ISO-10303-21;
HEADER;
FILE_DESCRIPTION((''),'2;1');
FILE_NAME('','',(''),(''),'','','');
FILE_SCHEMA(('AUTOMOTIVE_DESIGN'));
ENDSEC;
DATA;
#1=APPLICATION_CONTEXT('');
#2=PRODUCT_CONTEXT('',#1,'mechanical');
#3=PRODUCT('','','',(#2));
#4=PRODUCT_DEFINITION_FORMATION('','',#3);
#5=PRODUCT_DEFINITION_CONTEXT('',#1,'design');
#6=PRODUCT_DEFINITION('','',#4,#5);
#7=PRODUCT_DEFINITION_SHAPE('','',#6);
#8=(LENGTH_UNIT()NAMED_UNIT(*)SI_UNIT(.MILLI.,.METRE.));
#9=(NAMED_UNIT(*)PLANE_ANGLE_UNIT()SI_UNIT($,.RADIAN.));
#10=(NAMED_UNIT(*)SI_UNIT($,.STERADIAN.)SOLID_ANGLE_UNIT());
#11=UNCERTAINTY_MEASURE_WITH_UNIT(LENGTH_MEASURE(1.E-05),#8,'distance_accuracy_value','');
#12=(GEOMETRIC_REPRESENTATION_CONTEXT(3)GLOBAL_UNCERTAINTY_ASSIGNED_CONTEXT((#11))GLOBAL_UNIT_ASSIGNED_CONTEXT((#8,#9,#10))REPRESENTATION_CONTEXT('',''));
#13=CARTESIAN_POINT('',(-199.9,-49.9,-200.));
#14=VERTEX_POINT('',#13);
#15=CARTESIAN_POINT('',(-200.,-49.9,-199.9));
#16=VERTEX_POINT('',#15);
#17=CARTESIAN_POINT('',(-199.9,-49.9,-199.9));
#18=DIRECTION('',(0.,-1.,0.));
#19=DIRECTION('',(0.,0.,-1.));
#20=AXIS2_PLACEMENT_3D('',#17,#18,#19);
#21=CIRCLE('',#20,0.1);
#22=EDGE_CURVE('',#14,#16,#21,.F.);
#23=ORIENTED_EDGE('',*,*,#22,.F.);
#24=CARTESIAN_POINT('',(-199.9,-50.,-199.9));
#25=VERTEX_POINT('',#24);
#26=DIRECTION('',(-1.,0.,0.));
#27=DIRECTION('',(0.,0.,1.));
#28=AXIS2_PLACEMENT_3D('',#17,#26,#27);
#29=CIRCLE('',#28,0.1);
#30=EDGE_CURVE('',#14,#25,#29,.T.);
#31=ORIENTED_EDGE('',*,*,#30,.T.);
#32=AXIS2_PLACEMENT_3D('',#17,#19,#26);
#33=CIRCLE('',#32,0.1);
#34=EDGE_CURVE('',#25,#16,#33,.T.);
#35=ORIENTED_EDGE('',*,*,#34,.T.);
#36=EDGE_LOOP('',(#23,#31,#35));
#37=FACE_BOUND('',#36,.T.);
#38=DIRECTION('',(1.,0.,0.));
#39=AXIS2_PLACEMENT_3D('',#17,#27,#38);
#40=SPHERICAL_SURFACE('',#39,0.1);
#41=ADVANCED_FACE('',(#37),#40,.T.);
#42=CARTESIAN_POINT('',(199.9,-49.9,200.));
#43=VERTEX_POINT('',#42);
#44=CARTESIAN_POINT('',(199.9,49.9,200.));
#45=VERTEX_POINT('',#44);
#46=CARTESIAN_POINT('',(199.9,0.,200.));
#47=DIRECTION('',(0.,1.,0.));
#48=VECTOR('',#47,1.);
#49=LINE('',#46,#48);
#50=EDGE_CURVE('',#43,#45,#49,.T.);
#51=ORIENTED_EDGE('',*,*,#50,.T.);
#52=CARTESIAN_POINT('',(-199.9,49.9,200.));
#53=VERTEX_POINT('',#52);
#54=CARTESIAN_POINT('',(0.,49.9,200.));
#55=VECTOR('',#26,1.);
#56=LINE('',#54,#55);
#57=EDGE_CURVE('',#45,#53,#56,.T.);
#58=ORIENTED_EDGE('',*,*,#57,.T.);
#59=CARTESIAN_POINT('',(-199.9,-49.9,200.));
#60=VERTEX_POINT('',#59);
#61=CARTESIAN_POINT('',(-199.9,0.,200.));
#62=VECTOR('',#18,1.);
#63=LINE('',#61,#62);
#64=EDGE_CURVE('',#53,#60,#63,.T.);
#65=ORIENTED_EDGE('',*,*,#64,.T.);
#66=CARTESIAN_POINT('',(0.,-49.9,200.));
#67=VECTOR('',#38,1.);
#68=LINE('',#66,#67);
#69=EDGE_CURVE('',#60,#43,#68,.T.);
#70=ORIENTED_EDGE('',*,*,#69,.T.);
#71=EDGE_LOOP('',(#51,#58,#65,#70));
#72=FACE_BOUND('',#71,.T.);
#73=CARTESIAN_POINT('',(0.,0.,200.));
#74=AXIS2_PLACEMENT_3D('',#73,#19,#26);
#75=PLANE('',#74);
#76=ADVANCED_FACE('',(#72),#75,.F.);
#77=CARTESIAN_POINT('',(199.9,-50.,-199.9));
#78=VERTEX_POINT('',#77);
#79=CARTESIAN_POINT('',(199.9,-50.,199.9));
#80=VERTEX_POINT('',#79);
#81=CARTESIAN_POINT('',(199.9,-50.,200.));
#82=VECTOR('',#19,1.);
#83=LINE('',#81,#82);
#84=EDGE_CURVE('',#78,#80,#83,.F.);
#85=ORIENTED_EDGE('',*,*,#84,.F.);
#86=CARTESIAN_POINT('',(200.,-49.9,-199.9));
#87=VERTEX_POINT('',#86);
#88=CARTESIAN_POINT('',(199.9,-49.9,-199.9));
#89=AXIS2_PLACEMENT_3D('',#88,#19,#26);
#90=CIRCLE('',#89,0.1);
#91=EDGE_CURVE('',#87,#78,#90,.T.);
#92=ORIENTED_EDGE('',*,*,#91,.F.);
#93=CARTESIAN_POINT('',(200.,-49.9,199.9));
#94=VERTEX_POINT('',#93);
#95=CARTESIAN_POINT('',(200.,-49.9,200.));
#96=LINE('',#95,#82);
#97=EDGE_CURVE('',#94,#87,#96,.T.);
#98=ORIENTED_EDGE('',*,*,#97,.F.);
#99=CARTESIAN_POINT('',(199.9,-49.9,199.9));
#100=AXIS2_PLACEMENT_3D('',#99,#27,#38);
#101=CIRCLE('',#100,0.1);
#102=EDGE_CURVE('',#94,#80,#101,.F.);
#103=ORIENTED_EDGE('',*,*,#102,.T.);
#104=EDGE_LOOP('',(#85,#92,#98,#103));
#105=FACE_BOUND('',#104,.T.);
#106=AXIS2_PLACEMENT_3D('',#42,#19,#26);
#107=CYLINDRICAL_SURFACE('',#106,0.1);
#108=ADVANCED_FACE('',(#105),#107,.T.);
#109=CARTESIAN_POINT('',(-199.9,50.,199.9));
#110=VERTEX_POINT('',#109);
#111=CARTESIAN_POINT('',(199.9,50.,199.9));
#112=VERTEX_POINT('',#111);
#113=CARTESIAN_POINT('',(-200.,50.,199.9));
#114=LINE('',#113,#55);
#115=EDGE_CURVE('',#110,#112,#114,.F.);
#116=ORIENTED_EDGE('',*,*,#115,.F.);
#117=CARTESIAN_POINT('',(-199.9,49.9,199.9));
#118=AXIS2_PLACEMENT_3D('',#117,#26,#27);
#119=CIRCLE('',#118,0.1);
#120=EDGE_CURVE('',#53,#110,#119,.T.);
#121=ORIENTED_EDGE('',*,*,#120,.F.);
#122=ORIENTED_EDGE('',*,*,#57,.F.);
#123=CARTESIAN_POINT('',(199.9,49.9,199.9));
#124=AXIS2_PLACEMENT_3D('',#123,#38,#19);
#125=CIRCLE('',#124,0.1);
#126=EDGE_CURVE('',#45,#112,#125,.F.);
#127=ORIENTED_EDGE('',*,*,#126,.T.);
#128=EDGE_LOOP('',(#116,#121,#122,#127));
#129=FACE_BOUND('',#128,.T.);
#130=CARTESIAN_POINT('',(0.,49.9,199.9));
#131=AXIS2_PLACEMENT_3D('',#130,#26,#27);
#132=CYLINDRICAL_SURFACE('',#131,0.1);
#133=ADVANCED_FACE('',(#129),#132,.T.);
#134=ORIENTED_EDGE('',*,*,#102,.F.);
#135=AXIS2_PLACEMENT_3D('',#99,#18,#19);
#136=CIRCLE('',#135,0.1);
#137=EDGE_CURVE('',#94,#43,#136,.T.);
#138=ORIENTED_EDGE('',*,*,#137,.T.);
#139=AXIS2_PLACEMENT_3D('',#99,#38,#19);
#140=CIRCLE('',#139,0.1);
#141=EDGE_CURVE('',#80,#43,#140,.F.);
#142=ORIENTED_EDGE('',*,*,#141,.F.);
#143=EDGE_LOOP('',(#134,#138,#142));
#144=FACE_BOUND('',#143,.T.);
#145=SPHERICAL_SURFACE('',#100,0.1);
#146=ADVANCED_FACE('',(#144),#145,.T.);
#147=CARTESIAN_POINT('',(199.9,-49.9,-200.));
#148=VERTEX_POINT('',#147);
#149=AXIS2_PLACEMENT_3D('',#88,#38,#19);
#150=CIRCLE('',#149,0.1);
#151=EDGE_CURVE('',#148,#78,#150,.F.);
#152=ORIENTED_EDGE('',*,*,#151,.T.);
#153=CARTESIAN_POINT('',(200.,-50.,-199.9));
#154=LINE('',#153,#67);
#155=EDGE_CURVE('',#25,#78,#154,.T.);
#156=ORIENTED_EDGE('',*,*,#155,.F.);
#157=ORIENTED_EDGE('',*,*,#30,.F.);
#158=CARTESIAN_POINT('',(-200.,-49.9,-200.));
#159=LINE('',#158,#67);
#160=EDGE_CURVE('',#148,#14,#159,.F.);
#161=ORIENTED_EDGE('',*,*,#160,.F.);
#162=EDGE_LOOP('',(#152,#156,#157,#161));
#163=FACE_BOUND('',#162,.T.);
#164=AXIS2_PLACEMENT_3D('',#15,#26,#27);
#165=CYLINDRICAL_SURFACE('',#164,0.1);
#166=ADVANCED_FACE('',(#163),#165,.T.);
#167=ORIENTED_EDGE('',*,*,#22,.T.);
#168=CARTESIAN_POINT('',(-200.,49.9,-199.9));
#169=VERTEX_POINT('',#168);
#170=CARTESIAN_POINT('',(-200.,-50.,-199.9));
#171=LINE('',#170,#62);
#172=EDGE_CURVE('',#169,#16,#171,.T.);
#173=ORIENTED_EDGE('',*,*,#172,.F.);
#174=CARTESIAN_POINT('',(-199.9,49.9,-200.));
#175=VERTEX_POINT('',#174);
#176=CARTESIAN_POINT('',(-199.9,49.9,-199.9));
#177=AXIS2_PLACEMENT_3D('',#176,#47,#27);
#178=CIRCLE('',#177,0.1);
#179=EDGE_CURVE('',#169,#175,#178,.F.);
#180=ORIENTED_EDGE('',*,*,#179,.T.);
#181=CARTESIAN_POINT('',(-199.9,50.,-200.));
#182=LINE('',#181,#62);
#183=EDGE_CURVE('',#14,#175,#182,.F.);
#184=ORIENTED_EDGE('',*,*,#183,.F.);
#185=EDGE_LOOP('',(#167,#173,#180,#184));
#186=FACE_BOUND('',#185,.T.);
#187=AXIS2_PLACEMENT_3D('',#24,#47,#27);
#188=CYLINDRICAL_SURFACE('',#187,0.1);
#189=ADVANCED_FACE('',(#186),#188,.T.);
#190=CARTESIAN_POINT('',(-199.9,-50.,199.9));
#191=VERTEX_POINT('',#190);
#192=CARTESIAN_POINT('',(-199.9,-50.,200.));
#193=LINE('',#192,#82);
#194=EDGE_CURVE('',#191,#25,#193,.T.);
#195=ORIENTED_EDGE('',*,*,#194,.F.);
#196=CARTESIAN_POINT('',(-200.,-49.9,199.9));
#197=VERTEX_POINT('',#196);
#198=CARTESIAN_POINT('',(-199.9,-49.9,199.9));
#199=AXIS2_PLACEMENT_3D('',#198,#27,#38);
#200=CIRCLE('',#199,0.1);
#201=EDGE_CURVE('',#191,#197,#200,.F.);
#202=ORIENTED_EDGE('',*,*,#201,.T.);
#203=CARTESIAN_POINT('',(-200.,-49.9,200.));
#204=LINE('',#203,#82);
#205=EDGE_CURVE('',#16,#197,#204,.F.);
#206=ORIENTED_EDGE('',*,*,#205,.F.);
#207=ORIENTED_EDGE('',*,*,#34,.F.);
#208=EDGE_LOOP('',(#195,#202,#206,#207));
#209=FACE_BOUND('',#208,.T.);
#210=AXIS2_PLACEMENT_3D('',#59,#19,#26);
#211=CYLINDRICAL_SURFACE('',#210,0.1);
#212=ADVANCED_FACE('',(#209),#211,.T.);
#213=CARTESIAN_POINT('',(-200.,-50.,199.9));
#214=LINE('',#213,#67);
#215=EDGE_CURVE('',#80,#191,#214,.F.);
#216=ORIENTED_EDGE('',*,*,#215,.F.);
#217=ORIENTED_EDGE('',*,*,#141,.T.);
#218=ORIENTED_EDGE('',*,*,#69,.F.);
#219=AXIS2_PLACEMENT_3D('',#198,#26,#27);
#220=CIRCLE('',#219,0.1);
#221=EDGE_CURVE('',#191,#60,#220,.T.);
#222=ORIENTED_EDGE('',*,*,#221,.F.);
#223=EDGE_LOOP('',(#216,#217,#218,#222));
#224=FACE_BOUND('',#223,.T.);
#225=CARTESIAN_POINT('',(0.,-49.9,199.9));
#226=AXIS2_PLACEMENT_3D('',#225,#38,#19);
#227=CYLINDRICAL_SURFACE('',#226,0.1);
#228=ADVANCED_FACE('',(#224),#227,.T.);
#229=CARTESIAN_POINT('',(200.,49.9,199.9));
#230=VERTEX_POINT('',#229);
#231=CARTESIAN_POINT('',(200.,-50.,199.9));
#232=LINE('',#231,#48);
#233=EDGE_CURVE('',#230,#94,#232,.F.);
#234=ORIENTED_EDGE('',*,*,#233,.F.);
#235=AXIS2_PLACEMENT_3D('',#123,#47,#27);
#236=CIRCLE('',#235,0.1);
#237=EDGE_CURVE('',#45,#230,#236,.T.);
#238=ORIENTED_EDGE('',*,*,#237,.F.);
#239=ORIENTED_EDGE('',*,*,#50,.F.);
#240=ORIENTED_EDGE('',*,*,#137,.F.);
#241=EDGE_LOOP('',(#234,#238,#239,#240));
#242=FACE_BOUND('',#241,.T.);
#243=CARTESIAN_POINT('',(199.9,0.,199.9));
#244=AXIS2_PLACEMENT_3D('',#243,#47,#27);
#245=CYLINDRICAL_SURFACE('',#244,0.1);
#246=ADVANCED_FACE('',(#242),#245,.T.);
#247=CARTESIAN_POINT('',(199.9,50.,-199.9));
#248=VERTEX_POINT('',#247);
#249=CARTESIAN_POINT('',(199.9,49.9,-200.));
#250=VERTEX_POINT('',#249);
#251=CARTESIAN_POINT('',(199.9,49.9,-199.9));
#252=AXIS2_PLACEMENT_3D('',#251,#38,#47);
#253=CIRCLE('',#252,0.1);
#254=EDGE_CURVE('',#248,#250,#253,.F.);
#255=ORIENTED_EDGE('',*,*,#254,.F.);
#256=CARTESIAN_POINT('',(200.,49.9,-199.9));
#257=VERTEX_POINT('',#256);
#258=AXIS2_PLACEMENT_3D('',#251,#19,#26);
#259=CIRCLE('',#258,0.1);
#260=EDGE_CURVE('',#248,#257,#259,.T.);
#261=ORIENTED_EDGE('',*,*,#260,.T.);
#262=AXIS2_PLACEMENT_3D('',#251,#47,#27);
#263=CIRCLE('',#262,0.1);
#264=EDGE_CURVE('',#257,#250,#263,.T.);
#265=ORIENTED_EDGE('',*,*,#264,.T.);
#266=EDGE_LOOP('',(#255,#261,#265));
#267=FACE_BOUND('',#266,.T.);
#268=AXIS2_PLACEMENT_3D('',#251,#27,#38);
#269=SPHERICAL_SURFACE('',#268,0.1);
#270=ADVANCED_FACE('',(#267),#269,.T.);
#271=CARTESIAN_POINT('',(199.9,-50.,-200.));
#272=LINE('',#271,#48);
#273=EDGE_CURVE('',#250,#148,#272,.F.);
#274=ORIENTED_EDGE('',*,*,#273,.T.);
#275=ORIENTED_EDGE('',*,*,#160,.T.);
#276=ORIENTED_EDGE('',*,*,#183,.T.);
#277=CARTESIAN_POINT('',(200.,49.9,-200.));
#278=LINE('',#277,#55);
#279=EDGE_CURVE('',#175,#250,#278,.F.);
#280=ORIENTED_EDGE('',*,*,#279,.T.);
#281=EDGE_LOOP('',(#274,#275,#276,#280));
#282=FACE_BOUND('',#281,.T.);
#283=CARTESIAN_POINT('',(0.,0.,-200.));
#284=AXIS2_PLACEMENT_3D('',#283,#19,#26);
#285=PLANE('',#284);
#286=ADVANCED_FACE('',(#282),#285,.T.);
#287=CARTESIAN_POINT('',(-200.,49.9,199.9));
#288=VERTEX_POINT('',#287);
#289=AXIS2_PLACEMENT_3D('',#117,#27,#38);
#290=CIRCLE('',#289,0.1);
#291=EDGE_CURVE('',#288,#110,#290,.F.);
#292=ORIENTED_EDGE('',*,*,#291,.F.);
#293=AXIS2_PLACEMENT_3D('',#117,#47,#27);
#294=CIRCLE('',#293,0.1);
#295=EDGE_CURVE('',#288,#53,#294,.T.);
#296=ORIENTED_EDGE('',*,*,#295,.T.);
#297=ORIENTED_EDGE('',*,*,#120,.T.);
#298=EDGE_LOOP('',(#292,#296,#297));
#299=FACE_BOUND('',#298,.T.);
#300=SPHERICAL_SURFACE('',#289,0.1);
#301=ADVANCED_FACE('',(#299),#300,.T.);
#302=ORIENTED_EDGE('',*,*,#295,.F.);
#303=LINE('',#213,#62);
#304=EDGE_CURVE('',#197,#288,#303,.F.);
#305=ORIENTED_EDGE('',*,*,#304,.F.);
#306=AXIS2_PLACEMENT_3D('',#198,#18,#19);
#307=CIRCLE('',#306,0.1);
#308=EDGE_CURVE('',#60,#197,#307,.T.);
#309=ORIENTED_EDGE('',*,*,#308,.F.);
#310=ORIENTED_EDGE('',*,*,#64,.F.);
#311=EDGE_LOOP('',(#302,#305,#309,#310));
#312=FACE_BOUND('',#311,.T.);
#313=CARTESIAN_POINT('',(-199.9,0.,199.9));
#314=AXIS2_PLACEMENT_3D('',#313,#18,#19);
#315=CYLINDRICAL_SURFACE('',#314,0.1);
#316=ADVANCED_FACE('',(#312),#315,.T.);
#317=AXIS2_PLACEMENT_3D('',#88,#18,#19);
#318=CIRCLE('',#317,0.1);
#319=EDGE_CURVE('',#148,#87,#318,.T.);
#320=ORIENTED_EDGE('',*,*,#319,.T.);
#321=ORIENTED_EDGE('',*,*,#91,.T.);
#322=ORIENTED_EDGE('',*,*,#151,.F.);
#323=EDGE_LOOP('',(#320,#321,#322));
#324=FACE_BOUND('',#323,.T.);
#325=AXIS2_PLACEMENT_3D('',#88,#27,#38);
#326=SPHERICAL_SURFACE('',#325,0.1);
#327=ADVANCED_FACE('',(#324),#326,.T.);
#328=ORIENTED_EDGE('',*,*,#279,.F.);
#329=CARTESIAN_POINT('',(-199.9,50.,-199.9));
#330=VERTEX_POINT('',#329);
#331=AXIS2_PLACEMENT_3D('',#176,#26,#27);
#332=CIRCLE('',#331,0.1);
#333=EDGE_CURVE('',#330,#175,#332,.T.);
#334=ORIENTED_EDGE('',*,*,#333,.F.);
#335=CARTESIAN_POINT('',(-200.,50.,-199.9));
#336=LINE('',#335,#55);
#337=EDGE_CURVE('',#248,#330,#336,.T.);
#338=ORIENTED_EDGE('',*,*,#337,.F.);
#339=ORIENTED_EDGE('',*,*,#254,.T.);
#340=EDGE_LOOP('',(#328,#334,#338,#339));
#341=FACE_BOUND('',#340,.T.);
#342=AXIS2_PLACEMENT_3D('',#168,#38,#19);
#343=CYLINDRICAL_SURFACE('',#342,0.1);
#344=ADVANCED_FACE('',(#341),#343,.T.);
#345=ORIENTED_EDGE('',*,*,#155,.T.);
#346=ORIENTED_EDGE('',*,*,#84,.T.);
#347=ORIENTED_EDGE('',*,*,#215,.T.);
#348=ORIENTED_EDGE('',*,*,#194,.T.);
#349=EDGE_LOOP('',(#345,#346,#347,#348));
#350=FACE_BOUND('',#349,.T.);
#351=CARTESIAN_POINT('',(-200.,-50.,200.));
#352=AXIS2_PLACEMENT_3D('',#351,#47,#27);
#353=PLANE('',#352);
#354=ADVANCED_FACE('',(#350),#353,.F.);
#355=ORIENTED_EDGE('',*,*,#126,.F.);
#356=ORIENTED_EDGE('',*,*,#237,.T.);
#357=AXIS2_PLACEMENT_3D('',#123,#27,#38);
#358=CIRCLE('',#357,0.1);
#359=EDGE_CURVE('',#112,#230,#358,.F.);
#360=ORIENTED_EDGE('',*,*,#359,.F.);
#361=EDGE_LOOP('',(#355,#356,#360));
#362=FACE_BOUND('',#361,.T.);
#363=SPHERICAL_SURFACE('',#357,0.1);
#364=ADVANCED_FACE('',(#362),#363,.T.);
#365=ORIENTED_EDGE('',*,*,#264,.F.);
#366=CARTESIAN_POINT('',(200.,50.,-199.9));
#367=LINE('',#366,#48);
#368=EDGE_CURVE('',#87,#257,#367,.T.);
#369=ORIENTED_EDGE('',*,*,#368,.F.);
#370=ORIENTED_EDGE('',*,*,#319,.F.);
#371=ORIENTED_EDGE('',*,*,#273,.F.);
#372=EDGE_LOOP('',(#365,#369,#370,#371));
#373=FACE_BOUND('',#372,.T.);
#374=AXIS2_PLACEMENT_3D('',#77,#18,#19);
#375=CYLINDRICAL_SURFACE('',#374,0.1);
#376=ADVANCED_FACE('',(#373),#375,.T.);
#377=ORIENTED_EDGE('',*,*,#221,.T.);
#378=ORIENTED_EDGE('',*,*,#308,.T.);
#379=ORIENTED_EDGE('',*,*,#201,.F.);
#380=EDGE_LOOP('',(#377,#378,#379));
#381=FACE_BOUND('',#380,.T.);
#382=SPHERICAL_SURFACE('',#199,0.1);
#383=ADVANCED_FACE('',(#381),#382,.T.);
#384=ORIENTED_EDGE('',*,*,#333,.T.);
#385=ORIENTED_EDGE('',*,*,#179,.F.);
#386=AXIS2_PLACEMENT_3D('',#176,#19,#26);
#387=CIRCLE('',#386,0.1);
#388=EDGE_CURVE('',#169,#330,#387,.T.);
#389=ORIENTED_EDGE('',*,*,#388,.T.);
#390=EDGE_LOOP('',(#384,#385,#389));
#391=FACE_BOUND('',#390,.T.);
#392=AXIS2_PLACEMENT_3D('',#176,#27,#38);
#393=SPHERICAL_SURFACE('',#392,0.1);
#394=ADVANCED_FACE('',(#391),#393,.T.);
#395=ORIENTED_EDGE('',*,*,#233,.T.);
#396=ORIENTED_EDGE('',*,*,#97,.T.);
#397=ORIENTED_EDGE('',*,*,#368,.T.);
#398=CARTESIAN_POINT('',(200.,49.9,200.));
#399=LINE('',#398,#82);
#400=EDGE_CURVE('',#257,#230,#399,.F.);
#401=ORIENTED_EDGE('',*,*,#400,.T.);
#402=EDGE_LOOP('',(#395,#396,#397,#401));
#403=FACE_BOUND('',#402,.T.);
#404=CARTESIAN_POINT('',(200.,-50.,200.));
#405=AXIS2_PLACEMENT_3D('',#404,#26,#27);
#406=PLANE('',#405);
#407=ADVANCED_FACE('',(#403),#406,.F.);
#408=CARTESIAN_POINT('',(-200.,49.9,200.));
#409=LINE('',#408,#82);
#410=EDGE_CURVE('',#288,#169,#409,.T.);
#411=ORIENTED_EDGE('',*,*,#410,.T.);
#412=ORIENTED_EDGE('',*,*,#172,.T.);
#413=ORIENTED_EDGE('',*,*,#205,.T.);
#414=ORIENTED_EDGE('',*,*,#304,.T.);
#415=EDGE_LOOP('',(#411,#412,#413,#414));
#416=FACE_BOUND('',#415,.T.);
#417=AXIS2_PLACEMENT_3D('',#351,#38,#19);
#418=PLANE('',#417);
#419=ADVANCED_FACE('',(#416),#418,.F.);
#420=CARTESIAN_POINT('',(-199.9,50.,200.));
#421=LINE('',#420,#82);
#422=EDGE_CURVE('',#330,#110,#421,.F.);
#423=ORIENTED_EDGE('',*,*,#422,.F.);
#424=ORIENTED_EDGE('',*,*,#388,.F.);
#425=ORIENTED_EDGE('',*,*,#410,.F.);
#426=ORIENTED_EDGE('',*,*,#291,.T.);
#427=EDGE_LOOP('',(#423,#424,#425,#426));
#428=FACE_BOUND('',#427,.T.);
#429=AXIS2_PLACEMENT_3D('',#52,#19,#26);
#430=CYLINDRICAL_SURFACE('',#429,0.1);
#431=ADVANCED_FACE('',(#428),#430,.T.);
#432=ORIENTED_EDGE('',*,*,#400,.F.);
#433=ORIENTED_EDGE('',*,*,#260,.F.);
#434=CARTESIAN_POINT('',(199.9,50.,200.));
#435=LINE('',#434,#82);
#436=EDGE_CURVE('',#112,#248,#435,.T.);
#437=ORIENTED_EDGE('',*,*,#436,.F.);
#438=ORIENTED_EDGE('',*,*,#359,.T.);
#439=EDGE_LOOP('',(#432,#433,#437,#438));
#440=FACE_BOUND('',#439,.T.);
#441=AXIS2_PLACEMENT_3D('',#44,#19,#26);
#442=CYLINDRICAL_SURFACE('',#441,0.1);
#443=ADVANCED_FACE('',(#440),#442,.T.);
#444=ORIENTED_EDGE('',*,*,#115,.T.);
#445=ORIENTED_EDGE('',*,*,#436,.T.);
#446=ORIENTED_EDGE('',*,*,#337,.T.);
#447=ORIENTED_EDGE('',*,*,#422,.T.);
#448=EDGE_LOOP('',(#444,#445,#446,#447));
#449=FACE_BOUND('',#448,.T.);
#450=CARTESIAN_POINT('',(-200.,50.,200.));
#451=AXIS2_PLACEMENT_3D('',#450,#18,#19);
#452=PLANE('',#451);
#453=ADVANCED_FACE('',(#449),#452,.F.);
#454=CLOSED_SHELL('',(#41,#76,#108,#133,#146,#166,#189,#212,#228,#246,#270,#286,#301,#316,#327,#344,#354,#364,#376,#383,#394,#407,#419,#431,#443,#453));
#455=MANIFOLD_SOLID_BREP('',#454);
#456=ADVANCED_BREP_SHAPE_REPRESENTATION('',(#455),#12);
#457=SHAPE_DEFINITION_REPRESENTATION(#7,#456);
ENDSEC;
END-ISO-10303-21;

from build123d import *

# Parameters (mm, degrees)
SKETCH1_W           = 400
SKETCH1_H           = 100
BOSS_EXTRUDE1_DEPTH = 200
FILLET1_R           = 0.1


with BuildPart() as part:
    # Sketch1 → Boss-Extrude1 (new, symmetric)
    with BuildSketch(Plane.XY):
        Rectangle(SKETCH1_W, SKETCH1_H)
    extrude(amount=BOSS_EXTRUDE1_DEPTH, both=True)

    # Fillet1
    fillet1_edges = [part.edges().sort_by_distance(p)[0] for p in [
        (-200, 0, 200),
        (0, -50, 200),
        (200, 0, 200),
        (0, -50, -200),
        (-200, 0, -200),
        (0, 50, -200),
        (200, 0, -200),
        (200, -50, 0),
        (-200, -50, 0),
        (-200, 50, 0),
        (200, 50, 0),
        (0, 50, 200),
    ]]
    fillet(fillet1_edges, radius=FILLET1_R)


solid = part.part
